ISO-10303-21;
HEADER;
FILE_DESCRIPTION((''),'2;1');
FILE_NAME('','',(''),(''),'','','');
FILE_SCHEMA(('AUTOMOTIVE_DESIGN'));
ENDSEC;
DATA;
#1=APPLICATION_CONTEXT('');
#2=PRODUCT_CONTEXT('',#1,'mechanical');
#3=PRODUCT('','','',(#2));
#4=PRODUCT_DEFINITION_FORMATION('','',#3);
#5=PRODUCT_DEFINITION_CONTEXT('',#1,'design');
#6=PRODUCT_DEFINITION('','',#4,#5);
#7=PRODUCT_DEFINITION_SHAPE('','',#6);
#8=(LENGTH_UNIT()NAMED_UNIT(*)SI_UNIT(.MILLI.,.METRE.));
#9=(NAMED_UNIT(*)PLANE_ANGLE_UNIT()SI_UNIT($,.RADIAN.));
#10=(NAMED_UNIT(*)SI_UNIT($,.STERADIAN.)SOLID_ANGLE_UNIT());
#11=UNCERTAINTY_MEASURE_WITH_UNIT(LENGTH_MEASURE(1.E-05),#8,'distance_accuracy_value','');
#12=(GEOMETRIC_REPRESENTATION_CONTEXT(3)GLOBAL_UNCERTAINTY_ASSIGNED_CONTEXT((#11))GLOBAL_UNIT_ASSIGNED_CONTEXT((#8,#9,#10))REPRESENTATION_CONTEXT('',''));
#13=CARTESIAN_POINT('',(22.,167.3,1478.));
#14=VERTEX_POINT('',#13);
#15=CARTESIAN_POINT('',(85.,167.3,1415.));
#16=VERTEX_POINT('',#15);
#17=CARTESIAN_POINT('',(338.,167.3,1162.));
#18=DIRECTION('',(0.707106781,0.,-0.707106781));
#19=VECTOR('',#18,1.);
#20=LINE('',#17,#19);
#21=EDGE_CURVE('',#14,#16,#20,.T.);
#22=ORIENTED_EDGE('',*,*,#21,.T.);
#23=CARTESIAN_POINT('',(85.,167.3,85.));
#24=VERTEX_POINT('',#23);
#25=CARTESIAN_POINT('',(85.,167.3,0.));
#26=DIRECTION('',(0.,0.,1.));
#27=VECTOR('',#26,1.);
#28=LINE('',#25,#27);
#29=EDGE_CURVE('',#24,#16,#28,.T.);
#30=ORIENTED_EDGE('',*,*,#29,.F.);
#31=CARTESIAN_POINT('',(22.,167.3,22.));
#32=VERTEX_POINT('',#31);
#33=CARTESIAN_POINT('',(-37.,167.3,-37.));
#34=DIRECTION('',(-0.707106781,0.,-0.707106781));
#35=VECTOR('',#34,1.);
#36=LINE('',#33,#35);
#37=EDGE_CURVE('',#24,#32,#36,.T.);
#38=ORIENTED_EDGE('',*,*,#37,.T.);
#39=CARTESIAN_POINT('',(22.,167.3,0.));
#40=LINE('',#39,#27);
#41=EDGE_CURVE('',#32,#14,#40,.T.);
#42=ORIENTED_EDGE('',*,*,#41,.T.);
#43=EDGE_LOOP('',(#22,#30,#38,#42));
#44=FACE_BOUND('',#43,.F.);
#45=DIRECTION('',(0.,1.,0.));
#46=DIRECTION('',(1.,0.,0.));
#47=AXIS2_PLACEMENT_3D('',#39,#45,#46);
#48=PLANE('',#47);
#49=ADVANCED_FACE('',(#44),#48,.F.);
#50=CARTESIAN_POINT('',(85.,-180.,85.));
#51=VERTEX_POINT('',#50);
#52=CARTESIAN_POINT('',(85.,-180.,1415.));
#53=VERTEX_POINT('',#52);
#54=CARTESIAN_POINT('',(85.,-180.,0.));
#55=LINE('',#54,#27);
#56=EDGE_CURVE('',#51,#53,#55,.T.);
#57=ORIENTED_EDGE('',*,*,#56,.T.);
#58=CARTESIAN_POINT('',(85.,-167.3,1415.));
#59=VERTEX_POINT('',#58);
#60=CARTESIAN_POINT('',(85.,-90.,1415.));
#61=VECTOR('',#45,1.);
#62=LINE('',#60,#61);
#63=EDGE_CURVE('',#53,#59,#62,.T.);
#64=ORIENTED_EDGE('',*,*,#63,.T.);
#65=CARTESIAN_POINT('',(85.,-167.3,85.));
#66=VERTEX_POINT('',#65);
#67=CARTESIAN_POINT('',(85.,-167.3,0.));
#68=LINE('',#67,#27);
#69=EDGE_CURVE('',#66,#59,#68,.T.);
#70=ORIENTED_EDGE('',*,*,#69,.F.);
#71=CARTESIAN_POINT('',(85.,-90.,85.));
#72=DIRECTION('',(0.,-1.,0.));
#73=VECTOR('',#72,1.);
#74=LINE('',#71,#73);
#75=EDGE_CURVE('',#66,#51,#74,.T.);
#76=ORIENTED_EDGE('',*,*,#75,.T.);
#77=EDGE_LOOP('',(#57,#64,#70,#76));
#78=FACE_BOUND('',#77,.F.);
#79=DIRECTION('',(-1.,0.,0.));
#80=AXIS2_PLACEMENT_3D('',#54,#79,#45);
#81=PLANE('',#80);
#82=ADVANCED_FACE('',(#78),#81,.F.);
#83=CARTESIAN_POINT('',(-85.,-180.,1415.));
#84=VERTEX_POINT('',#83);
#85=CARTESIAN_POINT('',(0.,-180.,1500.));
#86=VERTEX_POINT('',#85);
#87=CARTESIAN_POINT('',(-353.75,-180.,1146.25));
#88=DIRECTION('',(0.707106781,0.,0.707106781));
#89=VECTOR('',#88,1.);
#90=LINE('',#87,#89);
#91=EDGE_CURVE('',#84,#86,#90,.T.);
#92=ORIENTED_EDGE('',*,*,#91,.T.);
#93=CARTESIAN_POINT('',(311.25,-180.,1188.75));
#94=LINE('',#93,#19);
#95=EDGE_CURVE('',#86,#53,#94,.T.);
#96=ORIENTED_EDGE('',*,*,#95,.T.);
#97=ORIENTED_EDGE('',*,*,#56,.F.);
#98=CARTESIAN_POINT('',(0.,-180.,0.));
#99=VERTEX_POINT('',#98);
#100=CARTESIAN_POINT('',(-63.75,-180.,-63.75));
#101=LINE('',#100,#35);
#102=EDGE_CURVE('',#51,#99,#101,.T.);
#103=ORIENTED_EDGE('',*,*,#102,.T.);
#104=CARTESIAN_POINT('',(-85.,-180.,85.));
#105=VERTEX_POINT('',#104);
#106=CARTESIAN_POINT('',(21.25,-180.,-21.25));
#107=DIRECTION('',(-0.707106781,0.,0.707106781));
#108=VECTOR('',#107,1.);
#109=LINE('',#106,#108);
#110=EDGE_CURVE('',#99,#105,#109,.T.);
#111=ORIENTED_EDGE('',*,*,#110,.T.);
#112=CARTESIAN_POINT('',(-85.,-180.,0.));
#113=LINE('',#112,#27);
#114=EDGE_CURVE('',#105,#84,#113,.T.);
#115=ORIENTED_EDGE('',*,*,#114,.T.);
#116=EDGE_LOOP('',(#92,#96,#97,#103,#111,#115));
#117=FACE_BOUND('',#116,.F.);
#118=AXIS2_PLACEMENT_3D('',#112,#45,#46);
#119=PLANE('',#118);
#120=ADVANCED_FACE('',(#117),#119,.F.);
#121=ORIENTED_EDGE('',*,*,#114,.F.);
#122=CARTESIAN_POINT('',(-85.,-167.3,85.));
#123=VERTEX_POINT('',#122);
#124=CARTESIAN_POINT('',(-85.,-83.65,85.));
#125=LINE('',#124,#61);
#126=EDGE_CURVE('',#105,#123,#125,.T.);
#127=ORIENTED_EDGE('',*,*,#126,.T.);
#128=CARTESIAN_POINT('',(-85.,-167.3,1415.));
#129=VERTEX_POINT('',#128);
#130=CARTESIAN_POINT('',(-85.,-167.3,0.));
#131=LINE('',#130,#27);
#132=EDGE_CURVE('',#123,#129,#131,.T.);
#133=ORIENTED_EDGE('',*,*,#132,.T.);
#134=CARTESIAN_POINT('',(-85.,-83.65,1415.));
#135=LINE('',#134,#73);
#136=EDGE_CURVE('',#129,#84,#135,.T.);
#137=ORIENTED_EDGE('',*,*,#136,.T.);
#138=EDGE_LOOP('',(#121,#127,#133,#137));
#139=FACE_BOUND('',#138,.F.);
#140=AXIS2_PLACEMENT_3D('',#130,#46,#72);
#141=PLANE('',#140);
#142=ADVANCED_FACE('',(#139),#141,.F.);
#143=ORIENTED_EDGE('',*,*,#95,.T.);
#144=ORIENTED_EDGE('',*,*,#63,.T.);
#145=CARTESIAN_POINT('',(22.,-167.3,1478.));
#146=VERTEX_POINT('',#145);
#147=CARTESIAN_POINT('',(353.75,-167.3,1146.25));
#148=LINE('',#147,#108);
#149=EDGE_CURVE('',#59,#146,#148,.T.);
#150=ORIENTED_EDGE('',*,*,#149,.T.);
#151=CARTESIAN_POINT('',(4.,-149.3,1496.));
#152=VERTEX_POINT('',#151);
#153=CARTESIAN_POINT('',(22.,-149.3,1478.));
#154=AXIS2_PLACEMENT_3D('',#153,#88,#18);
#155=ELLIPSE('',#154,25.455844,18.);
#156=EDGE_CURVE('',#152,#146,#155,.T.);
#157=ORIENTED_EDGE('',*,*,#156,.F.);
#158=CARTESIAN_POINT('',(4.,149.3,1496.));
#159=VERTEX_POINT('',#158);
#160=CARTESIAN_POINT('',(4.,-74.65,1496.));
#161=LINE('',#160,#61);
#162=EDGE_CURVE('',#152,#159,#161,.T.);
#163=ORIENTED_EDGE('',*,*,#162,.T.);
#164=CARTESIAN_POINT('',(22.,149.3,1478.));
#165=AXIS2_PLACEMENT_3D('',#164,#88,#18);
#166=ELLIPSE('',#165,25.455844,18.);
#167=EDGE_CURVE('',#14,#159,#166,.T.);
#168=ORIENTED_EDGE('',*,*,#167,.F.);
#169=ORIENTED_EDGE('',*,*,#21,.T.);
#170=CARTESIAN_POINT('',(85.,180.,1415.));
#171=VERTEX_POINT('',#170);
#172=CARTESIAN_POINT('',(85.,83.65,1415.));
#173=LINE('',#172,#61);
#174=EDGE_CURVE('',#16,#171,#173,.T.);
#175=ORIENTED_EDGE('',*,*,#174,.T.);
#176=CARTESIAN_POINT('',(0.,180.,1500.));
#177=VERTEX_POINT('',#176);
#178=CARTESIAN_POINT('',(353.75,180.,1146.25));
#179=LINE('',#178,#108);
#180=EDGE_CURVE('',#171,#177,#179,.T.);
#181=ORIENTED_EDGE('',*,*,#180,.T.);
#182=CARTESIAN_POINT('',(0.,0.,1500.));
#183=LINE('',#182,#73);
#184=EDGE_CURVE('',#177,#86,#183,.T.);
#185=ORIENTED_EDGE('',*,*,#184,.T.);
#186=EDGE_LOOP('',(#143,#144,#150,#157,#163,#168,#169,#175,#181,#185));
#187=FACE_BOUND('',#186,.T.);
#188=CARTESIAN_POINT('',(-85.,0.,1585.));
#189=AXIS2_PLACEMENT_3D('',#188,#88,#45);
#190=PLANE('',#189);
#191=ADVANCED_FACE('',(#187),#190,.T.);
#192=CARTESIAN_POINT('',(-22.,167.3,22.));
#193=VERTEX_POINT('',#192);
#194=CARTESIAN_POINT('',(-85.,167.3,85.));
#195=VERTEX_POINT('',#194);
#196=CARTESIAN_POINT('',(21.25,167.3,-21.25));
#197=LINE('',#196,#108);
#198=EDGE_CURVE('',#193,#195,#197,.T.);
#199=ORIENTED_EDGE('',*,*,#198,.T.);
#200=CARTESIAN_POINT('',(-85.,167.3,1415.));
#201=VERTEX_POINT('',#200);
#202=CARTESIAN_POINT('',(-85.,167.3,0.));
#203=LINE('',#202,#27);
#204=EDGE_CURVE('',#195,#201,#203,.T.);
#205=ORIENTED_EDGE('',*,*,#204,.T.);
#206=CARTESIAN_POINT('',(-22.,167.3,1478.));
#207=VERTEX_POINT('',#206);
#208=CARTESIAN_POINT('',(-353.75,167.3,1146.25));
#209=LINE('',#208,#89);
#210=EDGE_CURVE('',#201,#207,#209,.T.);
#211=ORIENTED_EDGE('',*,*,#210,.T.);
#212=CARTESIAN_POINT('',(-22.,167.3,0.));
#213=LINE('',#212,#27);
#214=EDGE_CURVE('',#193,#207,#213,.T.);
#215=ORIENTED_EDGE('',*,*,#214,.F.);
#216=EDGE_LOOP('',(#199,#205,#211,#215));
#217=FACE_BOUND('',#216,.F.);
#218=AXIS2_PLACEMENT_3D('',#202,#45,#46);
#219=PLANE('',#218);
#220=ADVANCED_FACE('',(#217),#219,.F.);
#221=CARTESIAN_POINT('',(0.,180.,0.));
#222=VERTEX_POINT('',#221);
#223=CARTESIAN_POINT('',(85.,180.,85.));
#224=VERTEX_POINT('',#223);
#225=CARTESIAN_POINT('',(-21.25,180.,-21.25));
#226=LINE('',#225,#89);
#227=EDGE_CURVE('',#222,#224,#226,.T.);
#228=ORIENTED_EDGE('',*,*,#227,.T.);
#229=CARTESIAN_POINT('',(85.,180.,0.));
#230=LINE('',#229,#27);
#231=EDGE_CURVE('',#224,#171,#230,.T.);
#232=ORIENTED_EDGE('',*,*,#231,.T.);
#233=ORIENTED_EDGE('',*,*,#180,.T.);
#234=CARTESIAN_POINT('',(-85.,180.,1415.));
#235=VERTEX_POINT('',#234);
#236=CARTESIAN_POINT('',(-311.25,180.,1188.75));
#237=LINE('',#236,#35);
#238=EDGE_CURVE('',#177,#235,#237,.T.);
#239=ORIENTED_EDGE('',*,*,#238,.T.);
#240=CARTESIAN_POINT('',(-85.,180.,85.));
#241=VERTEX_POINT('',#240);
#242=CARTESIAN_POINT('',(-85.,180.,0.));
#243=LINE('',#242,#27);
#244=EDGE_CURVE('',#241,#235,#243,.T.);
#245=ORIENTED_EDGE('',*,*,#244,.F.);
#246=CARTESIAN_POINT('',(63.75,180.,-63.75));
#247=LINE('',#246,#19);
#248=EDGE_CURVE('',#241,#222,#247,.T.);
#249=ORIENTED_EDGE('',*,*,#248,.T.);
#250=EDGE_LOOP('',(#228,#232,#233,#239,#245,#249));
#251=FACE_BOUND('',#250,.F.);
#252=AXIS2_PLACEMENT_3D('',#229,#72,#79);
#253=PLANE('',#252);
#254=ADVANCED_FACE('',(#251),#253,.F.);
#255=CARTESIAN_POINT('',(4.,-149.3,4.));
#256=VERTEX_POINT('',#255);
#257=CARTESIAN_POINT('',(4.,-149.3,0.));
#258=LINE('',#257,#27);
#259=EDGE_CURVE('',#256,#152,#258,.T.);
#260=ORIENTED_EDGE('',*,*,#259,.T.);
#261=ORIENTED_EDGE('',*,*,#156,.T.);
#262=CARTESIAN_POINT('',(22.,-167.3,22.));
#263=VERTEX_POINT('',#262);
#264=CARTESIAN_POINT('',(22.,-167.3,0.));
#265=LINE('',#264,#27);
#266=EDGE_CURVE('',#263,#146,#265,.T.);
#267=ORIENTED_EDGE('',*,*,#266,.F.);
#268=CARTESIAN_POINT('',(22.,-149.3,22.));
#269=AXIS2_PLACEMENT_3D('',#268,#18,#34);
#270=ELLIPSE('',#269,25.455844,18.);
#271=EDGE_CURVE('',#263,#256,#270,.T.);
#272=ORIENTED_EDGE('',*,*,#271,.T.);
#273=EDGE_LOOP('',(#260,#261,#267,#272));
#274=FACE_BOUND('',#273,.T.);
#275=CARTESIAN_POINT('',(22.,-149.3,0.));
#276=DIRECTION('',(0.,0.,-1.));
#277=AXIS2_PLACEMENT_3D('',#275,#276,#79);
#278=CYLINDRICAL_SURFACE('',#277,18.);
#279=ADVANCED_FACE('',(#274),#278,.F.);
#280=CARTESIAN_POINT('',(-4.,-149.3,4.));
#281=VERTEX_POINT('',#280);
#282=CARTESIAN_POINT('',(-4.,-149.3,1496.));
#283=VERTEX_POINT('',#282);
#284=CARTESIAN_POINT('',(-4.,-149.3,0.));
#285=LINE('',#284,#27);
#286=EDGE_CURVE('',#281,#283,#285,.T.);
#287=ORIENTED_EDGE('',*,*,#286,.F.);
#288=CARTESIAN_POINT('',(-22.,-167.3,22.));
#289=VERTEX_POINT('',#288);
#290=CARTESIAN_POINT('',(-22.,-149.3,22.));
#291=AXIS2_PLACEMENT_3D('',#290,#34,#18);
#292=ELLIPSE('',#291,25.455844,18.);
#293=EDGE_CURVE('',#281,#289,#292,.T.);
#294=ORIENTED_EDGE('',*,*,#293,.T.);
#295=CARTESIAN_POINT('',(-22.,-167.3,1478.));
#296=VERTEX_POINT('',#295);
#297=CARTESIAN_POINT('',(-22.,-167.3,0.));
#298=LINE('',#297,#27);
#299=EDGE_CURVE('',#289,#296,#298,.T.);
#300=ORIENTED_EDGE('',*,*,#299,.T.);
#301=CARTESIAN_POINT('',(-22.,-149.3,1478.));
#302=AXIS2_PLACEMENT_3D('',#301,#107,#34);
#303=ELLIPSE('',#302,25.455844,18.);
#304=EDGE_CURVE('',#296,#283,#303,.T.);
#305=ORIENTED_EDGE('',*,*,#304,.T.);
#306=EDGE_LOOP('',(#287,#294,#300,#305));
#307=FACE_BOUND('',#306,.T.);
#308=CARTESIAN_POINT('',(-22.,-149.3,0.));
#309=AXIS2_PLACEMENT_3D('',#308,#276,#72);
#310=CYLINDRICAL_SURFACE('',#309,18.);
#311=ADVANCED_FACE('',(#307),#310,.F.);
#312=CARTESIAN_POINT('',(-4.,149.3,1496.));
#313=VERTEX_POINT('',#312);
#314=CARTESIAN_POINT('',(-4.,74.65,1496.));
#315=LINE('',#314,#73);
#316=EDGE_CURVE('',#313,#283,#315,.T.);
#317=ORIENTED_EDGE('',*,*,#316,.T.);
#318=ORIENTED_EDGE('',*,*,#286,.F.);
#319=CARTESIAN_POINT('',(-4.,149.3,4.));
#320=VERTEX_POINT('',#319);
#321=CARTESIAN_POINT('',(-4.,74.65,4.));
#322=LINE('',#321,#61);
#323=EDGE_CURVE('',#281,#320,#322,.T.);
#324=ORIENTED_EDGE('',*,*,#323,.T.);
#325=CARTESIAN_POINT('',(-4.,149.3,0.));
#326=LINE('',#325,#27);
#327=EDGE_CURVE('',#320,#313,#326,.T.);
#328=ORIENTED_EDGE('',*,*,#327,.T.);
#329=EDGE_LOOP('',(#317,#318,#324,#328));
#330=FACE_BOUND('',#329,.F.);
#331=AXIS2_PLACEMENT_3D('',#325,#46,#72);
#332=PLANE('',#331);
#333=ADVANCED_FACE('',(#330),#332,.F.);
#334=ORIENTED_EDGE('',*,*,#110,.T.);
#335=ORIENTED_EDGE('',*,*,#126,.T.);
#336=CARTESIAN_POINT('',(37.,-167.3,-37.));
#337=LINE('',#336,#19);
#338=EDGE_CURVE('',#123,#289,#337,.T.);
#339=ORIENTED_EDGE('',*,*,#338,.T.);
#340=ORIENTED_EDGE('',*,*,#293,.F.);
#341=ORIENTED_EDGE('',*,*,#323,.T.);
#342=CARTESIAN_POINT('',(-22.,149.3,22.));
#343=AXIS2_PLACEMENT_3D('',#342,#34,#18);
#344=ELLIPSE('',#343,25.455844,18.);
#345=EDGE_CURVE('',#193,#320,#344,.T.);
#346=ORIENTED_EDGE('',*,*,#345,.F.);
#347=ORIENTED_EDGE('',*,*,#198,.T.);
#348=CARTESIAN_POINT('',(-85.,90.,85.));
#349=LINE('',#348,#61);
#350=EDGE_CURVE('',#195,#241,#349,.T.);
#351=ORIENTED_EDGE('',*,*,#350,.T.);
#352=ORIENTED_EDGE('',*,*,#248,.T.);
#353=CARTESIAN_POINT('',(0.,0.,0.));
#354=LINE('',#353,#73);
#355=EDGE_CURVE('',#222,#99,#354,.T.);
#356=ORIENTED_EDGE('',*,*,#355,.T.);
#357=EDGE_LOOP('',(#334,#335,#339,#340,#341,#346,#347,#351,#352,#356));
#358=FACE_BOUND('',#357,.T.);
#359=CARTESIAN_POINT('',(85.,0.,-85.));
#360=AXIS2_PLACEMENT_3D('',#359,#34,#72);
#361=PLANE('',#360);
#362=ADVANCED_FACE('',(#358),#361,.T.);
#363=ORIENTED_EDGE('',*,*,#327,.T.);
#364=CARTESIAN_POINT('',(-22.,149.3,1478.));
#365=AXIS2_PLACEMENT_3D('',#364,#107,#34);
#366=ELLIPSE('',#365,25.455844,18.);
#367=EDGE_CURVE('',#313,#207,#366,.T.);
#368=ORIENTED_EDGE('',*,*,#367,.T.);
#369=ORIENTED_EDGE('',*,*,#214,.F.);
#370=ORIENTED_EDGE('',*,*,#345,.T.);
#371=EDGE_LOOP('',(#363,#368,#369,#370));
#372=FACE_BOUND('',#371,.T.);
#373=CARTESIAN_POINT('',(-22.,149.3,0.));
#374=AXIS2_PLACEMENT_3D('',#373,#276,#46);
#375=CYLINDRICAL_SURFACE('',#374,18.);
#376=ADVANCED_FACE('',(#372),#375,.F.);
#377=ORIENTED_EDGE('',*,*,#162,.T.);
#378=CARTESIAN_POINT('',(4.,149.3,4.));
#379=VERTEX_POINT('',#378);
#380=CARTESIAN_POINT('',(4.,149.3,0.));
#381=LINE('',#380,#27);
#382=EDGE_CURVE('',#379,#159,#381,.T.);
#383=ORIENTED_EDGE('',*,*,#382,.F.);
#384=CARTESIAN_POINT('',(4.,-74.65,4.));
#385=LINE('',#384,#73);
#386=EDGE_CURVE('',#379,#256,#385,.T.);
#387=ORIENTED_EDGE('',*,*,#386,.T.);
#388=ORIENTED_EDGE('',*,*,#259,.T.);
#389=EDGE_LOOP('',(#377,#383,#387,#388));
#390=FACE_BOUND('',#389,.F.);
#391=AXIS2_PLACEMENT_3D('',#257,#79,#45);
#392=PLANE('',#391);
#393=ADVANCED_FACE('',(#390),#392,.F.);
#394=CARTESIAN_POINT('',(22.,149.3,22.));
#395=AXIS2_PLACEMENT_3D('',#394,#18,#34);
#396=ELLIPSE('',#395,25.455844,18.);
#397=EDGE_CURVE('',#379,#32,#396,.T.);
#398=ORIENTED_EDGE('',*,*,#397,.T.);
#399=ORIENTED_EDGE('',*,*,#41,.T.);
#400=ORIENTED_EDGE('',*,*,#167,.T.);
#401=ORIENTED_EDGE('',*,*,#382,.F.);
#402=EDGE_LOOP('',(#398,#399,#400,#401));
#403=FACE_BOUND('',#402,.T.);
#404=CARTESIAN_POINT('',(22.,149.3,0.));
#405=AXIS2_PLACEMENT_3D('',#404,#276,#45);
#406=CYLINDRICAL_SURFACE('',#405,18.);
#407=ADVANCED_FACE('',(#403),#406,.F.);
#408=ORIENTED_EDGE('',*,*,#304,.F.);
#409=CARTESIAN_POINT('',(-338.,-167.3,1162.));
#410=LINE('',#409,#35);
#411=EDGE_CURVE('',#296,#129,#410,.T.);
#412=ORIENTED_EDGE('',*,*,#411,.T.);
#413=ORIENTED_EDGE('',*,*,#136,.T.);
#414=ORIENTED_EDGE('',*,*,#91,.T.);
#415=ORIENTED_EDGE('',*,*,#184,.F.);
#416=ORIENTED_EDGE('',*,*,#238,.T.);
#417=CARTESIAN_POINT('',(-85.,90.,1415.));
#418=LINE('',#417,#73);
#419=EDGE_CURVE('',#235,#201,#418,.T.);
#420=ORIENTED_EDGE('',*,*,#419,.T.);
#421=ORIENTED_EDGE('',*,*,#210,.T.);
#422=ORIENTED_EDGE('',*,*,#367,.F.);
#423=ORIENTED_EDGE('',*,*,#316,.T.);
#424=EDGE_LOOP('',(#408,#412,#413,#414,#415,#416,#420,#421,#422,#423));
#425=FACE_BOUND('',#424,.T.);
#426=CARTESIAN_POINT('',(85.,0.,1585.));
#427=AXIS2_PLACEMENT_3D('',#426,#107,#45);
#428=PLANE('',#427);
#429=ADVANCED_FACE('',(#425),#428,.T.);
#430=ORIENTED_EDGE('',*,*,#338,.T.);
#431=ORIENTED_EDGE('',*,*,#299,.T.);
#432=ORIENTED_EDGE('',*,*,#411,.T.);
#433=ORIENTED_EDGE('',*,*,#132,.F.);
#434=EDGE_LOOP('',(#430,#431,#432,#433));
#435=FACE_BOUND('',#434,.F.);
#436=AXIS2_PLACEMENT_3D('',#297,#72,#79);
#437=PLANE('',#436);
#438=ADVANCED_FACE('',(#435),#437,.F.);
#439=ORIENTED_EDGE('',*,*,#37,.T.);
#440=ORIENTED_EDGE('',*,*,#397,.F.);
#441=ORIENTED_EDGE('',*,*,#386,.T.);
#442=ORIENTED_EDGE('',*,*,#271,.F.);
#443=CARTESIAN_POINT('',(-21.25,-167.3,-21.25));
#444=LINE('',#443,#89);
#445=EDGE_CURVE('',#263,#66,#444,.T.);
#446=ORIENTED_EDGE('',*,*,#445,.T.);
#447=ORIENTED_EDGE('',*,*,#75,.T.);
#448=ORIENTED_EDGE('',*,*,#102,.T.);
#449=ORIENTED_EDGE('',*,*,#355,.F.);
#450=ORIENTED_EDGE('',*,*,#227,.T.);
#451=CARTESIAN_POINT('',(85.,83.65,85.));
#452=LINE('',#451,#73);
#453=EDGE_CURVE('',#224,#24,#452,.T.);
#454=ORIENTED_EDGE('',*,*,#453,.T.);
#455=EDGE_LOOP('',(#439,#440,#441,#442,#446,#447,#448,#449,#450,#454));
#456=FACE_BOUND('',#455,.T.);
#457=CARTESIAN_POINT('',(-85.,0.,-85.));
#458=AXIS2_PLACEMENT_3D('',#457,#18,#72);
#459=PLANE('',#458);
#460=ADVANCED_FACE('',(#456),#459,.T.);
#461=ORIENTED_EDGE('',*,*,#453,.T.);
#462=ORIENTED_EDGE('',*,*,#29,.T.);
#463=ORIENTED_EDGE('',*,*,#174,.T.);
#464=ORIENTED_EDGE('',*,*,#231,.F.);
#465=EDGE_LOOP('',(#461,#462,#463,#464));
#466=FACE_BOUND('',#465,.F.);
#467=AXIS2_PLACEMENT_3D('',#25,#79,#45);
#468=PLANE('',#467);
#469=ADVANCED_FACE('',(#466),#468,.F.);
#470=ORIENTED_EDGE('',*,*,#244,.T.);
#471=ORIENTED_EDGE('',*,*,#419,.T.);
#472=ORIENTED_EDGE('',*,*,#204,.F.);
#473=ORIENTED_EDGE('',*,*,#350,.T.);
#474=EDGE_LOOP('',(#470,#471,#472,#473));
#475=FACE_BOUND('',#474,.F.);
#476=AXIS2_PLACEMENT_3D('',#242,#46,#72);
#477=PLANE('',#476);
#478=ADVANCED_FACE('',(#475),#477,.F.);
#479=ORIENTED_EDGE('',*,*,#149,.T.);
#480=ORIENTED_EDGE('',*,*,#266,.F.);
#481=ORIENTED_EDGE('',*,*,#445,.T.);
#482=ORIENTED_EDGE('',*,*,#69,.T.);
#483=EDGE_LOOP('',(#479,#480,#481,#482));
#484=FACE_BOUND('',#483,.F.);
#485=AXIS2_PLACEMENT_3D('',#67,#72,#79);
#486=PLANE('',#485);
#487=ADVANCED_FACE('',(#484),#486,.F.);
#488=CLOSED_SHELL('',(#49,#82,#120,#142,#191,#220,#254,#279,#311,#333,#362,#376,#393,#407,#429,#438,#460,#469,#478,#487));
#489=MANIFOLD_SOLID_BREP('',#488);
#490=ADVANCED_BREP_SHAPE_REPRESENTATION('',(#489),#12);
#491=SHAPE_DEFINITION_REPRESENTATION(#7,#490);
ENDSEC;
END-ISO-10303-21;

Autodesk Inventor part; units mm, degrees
ref_plane "Start Plane" through (0, 0, 0) normal (0, 0, 1) x (1, 0, 0)
ref_plane "End Plane" through (0, 0, 1500) normal (0, 0, 1) x (1, 0, 0)
sketch "Sketch" plane through (0, 0, 0) normal (0, 0, 1) x (1, 0, 0)
  line L0 (-85, 167.3) -> (-22, 167.3)
  line L1 (-85, 180) -> (-85, 167.3)
  line L2 (85, 180) -> (-85, 180)
  line L3 (85, 167.3) -> (85, 180)
  line L4 (22, 167.3) -> (85, 167.3)
  line L5 (4, -149.3) -> (4, 149.3)
  line L6 (85, -167.3) -> (22, -167.3)
  line L7 (85, -180) -> (85, -167.3)
  line L8 (-85, -167.3) -> (-85, -180)
  line L9 (-22, -167.3) -> (-85, -167.3)
  line L10 (-4, 149.3) -> (-4, -149.3)
  line L11 (0, -252) -> (0, 252) construction
  line L12 (-4, -167.3) -> (4, -167.3) construction
  arc A0 (-22, -167.3) -> (-4, -149.3) centre (-22, -149.3) ccw
  arc A1 (-4, 149.3) -> (-22, 167.3) centre (-22, 149.3) ccw
  arc A2 (22, 167.3) -> (4, 149.3) centre (22, 149.3) ccw
  arc A3 (4, -149.3) -> (22, -167.3) centre (22, -149.3) ccw
  line L13 (-119, 0) -> (119, 0) construction
  line L14 (-85, -180) -> (85, -180)
  point P0 (-4, 167.3)
  point P1 (4, 167.3)
  point P2 (0, 0)
  point P3 (0, -167.3)
  point P4 (0, 0)
  dimension "d1" = 360
  dimension "d3" = 12.7
  dimension "d5" = 8
  dimension "d7" = 170
  dimension "d13" = 18
  dimension "d14" = 180
  dimension "d15" = 85
extrude "Body" add sketch "Sketch" along normal up to surface (1500 mm away) from surface at 0
sketch "Sketch3" plane through (0, 0, 0) normal (0, 0, 1) x (1, 0, 0)
  line L0 (0, 0) -> (10, 0)
ref_plane "Work Plane3" through (0, 0, 0) normal (0, -1, 0) x (1, 0, 0)
ref_plane "Work Plane4" through (85, 0, -85) normal (-0.7071, 0, -0.7071) x (-0.7071, 0, 0.7071)
split "Split1" plane through (85, 0, -85) removes the side toward (-0.7071, 0, -0.7071)
ref_plane "Work Plane5" through (85, 0, 1585) normal (-0.7071, 0, 0.7071) x (0.7071, 0, 0.7071)
split "Split2" plane through (85, 0, 1585) removes the side toward (-0.7071, 0, 0.7071)
ref_plane "Work Plane6" through (-85, 0, 1585) normal (0.7071, 0, 0.7071) x (0.7071, 0, -0.7071)
split "Split3" plane through (-85, 0, 1585) removes the side toward (0.7071, 0, 0.7071)
ref_plane "Work Plane7" through (-85, 0, -85) normal (0.7071, 0, -0.7071) x (-0.7071, 0, -0.7071)
split "Split4" plane through (-85, 0, -85) removes the side toward (0.7071, 0, -0.7071)
sketch "Sketch4" plane through (0, 0, 0) normal (0, -1, 0) x (1, 0, 0)
  line L0 (-2, 0) -> (12, 0) projected
  line L1 (-2, 1500) -> (12, 1500) projected
  dimension "d19" = 1500
equation "\"d1\" = ParH"
equation "\"d3\" = t2"
equation "\"d5\" = t1"
equation "\"d7\" = b"
equation "\"d13\" = R1"
equation "\"d14\" = 0.5 * d1"
equation "\"d15\" = 0.5 * d7"
equation "\"d8\" = G_L"
equation "\"b\" = 170"
equation "\"ParH\" = 360"
equation "\"R1\" = 18"
equation "\"G_L\" = d19"
equation "\"t1\" = 8"
equation "\"t2\" = 12.7"
equation "\"G_OFFSET_START\" = 0"
equation "\"G_OFFSET_END\" = 0"
properties part number "DIN 1025 - IPE 360-1500" material "Steel, Mild"
